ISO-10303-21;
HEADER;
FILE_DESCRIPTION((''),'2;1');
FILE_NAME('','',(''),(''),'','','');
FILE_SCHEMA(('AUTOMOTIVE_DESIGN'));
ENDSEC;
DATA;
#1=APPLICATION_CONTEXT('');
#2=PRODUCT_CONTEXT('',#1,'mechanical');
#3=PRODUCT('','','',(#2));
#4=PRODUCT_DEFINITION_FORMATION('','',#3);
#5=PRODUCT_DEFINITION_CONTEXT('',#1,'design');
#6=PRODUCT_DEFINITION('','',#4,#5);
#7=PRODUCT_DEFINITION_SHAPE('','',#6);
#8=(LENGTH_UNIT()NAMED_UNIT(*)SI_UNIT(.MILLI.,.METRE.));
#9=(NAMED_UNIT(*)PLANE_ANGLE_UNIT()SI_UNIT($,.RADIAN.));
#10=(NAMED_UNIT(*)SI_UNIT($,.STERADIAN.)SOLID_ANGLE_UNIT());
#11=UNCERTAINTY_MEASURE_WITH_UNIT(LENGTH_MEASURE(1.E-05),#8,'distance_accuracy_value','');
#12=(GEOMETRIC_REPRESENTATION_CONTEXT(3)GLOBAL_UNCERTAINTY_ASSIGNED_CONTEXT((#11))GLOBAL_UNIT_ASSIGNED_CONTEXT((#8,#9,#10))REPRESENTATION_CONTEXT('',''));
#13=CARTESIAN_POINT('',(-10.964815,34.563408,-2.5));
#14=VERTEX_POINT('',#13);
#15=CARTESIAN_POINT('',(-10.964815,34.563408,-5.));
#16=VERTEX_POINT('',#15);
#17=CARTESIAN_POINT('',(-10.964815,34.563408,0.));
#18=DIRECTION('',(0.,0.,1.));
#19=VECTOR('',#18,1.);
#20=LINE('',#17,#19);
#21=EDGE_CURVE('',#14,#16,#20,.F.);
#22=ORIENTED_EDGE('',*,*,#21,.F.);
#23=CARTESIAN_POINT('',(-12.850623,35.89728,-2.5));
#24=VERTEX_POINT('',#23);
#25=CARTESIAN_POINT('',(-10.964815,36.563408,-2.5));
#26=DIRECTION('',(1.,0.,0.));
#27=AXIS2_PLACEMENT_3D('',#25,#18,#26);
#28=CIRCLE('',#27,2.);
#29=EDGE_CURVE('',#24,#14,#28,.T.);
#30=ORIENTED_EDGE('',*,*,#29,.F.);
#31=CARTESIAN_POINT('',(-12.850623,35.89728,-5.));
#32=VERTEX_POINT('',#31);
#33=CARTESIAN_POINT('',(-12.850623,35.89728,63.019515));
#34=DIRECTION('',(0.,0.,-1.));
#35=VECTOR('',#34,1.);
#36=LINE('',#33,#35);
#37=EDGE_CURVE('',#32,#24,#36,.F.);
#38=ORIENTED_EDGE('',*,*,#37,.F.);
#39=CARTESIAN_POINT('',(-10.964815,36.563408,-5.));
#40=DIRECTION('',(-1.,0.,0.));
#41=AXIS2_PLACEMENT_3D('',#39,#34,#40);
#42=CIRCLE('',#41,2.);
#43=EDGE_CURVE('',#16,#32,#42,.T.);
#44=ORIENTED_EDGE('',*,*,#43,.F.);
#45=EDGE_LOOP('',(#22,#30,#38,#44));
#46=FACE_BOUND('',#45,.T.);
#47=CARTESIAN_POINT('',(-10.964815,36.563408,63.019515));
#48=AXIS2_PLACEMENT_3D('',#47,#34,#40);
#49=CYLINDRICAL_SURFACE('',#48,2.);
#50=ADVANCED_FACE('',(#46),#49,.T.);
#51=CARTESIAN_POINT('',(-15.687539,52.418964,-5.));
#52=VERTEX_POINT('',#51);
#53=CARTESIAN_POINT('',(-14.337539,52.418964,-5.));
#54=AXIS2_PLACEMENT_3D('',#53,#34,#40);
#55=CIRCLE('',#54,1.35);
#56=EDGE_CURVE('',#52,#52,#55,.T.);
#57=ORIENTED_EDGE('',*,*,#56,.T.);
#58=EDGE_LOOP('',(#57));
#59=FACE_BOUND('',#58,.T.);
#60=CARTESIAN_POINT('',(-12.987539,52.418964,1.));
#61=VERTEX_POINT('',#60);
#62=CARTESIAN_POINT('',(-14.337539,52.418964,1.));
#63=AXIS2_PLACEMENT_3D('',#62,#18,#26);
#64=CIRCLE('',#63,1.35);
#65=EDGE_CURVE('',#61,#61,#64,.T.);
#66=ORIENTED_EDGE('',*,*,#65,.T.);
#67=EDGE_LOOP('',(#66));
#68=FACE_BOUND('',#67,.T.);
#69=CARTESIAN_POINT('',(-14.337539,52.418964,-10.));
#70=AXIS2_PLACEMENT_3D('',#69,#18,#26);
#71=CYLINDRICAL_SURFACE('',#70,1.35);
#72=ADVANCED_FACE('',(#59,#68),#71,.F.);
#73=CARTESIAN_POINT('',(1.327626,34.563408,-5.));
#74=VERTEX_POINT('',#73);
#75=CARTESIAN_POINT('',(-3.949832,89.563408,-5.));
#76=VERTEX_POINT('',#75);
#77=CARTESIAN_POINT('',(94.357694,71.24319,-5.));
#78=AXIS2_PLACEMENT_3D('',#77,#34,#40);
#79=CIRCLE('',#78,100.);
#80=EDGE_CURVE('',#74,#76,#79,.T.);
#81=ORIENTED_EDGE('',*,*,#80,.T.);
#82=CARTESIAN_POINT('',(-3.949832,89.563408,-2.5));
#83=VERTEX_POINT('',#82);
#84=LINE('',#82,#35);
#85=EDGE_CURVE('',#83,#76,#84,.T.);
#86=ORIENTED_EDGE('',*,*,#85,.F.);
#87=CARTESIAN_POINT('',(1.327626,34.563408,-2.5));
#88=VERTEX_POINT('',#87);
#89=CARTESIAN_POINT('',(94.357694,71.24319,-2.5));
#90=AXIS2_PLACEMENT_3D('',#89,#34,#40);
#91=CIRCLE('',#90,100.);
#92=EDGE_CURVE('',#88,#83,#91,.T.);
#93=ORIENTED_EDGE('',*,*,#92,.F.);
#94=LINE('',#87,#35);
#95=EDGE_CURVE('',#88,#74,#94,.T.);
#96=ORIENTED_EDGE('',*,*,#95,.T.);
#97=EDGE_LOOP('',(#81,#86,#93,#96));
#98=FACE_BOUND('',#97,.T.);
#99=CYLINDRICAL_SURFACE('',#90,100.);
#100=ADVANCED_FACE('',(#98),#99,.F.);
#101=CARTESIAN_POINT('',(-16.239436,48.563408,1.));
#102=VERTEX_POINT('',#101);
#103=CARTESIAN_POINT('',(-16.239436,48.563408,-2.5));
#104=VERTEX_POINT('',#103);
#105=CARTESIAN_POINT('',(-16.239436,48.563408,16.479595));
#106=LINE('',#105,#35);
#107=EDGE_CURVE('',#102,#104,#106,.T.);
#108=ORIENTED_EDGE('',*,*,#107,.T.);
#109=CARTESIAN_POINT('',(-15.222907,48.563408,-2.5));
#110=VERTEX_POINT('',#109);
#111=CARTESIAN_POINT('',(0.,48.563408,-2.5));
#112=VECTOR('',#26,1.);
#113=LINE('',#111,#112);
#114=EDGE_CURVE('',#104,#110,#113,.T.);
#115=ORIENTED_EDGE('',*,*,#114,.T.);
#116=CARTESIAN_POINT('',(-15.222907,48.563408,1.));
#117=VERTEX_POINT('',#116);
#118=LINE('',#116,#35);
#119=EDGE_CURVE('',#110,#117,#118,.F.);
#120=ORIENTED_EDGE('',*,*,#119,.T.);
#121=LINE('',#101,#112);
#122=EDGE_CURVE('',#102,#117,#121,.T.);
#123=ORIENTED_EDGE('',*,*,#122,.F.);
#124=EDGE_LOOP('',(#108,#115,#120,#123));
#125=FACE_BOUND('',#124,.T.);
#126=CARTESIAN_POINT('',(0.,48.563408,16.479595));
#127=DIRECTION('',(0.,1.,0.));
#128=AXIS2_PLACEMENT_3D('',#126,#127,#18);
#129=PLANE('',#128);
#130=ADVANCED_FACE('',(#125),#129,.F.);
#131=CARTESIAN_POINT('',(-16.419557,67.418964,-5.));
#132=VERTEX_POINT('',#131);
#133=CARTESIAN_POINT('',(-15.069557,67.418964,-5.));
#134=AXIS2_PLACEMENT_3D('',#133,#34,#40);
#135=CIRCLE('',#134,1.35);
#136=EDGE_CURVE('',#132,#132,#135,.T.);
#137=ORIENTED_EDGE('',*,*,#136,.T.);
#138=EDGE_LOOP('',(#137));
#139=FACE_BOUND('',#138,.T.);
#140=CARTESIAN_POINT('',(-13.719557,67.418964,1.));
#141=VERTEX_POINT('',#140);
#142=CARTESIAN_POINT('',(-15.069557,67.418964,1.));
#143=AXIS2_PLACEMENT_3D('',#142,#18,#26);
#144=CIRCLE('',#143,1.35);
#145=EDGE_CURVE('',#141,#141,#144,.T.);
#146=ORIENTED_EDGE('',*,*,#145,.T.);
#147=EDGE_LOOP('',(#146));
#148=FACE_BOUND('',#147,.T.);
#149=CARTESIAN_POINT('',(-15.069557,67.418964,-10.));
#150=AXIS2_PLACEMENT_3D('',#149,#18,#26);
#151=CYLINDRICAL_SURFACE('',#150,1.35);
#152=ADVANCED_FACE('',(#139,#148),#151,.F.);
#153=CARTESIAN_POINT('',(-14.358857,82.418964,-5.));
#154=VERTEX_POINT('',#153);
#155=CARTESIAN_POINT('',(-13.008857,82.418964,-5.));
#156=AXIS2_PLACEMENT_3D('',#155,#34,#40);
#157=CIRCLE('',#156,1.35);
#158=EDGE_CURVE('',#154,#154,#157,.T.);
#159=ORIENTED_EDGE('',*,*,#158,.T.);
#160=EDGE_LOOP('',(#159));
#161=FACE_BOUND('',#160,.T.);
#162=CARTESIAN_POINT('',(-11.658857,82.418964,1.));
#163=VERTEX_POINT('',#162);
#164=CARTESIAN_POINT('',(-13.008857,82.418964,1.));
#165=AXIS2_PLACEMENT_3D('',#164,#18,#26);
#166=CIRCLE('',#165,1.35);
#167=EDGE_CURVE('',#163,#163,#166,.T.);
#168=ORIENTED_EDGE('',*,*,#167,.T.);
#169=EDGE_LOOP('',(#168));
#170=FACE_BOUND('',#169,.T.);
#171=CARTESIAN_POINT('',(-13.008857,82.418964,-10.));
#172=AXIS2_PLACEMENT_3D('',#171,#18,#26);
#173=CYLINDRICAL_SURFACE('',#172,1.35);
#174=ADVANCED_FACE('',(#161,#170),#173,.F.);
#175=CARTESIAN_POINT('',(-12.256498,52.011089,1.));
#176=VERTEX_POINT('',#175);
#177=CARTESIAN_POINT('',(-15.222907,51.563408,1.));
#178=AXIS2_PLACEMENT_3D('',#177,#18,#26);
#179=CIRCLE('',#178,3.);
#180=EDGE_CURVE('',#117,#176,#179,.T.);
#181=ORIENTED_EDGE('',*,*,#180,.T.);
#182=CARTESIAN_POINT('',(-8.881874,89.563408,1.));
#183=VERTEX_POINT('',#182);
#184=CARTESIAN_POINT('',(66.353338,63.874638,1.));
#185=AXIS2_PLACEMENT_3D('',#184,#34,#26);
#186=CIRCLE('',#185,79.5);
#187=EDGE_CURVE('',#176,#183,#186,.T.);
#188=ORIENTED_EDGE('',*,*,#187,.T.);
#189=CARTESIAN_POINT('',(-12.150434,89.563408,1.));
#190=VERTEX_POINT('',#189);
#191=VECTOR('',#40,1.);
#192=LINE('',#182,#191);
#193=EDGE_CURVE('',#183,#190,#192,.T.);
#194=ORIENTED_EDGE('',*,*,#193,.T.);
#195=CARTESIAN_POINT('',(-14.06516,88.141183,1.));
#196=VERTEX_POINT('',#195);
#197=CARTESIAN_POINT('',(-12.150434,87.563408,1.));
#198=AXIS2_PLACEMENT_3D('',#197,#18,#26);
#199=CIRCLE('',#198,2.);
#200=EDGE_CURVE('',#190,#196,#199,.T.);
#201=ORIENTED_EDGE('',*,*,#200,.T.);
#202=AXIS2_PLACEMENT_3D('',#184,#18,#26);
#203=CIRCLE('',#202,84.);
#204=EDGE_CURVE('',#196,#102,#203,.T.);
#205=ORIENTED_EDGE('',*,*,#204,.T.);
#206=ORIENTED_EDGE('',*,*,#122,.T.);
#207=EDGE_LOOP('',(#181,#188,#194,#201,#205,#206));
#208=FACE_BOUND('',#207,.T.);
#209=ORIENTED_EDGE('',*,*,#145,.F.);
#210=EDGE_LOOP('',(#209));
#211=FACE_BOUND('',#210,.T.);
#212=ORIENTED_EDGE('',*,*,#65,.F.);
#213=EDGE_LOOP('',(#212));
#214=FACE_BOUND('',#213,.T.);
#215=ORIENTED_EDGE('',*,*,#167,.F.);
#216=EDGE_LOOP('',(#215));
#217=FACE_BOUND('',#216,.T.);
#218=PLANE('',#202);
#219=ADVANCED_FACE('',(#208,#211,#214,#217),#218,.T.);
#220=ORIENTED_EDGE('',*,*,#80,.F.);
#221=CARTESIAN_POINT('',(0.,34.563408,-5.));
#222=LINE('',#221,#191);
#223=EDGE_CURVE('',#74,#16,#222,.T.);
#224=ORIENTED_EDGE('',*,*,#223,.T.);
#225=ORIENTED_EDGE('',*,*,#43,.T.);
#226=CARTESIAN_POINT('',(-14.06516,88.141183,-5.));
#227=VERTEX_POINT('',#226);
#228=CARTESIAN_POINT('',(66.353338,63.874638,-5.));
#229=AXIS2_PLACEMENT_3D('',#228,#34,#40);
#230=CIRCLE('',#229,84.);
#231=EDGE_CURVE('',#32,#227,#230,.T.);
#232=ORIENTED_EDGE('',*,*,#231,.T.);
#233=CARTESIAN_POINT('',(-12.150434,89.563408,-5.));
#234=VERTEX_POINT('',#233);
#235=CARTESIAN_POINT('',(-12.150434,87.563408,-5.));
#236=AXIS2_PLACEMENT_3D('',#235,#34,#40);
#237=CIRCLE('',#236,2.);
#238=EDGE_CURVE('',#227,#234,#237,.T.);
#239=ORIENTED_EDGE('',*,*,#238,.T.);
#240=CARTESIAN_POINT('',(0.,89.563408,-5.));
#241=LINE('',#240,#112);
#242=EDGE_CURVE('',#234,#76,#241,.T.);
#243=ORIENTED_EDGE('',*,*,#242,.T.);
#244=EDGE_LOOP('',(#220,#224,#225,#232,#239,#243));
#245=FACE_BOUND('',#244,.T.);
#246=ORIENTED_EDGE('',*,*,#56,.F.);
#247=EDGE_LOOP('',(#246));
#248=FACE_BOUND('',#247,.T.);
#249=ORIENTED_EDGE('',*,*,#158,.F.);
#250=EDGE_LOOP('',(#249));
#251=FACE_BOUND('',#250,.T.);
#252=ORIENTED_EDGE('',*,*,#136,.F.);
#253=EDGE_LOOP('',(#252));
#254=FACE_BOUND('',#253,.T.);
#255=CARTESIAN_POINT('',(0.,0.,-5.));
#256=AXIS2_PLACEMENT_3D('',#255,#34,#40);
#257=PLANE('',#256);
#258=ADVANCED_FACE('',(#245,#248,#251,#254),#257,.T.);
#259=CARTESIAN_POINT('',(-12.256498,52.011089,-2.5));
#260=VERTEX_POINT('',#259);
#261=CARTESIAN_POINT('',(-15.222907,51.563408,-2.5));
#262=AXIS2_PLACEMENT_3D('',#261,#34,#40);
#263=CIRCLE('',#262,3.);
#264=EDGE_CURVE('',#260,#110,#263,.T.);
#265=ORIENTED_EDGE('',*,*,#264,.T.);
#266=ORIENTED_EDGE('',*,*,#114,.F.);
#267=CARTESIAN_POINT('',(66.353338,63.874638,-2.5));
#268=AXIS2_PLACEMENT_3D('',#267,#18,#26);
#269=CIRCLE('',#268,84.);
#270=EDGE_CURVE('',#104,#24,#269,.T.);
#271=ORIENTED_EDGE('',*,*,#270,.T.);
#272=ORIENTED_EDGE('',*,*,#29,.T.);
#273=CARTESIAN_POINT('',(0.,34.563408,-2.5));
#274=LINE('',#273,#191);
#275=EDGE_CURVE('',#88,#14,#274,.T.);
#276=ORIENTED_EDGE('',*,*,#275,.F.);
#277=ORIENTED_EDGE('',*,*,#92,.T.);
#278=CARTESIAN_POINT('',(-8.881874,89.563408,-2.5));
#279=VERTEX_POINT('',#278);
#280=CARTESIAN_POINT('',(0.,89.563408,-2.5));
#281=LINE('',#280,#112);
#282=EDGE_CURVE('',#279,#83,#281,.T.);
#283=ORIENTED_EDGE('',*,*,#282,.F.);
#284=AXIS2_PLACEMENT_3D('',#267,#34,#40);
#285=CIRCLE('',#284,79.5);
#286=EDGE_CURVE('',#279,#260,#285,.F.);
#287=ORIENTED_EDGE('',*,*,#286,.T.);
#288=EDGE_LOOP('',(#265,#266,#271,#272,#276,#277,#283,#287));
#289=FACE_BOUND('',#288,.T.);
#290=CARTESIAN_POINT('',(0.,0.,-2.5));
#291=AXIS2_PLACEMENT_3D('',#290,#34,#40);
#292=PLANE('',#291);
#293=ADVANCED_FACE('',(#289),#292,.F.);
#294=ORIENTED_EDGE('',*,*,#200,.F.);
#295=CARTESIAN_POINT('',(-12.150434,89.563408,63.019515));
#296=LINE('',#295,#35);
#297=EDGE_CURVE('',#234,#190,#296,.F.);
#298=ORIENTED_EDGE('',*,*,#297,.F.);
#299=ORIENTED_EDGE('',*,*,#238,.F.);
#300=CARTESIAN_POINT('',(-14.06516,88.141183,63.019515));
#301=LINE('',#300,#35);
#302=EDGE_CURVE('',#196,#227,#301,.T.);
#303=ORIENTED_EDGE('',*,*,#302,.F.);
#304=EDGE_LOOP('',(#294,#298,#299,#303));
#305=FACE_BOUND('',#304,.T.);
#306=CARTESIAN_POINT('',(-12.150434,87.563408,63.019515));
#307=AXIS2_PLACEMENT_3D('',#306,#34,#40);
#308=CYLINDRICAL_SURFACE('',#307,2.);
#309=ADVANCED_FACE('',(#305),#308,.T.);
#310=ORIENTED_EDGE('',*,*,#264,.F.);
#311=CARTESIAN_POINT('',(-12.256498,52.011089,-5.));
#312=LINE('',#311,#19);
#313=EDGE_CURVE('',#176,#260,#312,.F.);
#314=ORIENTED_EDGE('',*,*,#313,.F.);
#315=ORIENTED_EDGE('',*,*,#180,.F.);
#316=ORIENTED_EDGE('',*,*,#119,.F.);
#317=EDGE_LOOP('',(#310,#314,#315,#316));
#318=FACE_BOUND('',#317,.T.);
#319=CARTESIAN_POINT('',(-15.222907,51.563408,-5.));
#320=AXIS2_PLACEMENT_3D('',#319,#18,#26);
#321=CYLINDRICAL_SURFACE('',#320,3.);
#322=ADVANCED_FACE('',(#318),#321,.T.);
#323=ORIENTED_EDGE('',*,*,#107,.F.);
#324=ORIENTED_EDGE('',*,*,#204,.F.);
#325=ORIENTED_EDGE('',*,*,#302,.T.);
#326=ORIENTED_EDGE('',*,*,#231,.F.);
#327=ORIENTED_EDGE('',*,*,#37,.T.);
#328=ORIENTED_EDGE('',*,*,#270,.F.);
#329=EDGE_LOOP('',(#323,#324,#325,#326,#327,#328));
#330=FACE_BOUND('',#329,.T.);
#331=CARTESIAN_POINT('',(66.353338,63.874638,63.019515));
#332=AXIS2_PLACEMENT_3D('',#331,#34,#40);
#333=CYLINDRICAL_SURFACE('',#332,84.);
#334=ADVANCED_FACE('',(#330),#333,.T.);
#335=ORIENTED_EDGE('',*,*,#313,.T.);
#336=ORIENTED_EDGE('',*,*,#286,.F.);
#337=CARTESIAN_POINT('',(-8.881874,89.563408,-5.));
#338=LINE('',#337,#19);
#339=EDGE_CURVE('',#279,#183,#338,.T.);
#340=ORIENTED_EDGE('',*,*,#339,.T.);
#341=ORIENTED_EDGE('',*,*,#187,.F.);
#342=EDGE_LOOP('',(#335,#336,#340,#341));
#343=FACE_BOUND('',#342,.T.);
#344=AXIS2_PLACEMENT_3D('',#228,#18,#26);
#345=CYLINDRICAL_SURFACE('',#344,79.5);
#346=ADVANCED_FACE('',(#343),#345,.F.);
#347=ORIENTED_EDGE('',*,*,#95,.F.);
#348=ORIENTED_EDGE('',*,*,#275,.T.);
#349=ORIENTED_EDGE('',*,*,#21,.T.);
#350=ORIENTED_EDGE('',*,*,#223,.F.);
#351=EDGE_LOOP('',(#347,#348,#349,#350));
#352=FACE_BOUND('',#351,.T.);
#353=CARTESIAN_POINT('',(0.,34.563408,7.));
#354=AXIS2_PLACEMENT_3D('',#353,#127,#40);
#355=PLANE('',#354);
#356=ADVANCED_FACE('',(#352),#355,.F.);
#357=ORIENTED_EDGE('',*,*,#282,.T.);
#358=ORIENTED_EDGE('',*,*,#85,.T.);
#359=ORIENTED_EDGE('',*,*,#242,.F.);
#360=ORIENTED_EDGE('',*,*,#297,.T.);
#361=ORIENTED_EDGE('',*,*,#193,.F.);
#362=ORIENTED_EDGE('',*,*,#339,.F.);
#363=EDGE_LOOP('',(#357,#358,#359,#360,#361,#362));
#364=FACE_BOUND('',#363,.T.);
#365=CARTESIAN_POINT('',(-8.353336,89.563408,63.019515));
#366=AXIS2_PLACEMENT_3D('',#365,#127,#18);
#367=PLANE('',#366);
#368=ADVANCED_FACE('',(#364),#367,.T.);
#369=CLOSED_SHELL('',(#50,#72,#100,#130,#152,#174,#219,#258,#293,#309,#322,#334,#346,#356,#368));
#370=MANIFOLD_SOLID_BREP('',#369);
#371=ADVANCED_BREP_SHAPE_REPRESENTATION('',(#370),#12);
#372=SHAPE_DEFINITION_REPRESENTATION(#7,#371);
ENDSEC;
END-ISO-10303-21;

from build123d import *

# Parameters (mm, degrees)
SKETCH_1_R           = 3.5
EXTRUDE_1_DEPTH      = 3
SKETCH_2_R           = 1.5
CUT_EXTRUDE_1_DEPTH  = 10
EXTRUDE_2_DEPTH      = 4
EXTRUDE_5_DEPTH      = 7
FILLET_1_R           = 2
HOLE_WIZARD_M2_5_1_D = 2.05
SKETCH_12_R          = 1.025
EXTRUDE_6_DEPTH      = 5
EXTRUDE_7_DEPTH      = 2.5
CUT_EXTRUDE_START    = 2.5
SKETCH_14_W          = 65.294749478
SKETCH_14_H          = 102.548808998
CUT_EXTRUDE_2_DEPTH  = 93.634928881
CUT_EXTRUDE_3_DEPTH  = 2.5
SKETCH_16_R          = 1.35
CUT_EXTRUDE_4_DEPTH  = 10
EXTRUDE_START        = 1
SKETCH_17_R          = 1.35
EXTRUDE_8_DEPTH      = 1
FILLET_2_R           = 3


with BuildPart() as part:
    # 草图1 → 凸台-拉伸1 (new body)
    with BuildSketch(Plane.XY):
        with BuildLine():
            Line((0, 0), (17, 0))
            Line((17, 0), (17, 21))
            ThreePointArc((17, 21), (14.559389791, 26.961023013), (8.639106973, 29.498861644))
            ThreePointArc((8.639106973, 29.498861644), (4.214678609, 30.921411086), (1.327625741, 34.563407653))
            ThreePointArc((1.327625741, 34.563407653), (-5.234705957, 62.223549547), (-3.748501306, 90.612611571))
            ThreePointArc((-3.748501306, 90.612611571), (-5.162788524, 92.923505905), (-7.58241645, 91.704554856))
            ThreePointArc((-7.58241645, 91.704554856), (-12.196269834, 55.45091149), (0, 21))
            Line((0, 21), (0, 0))
        make_face()
        with Locations((8.5, 21)):
            Circle(SKETCH_1_R, mode=Mode.SUBTRACT)
    extrude(amount=EXTRUDE_1_DEPTH)

    # 草图2 → 切除-拉伸1 (cut)
    with BuildSketch(Plane(origin=(0, 0, 0), x_dir=(-1, 0, 0), z_dir=(0, 0, -1))):
        with Locations((-14, 4)):
            Circle(SKETCH_2_R)
        with Locations(Location((-3, 4, 0), (0, 0, 180))):
            Circle(SKETCH_2_R)
    extrude(amount=-CUT_EXTRUDE_1_DEPTH, mode=Mode.SUBTRACT)

    # 草图3 → 凸台-拉伸2 (add)
    with BuildSketch(Plane.XY.offset(3)):
        with BuildLine():
            ThreePointArc((-7.58241645, 91.704554856), (-12.6426678, 63.080202535), (-7.007767698, 34.563407653))
            Line((-7.007767698, 34.563407653), (1.327625741, 34.563407653))
            ThreePointArc((1.327625741, 34.563407653), (-5.234705957, 62.223549547), (-3.748501306, 90.612611571))
            ThreePointArc((-3.748501306, 90.612611571), (-5.162788524, 92.923505905), (-7.58241645, 91.704554856))
        make_face()
    extrude(amount=EXTRUDE_2_DEPTH)

    # 草图8 → 凸台-拉伸5 (add)
    with BuildSketch(Plane(origin=(0, 0, 0), x_dir=(-1, 0, 0), z_dir=(0, 0, -1))):
        with BuildLine():
            Line((8.353336216, 89.563407653), (13.622203114, 89.563407653))
            ThreePointArc((13.622203114, 89.563407653), (17.624786926, 61.957713987), (12.366747323, 34.563407653))
            Line((12.366747323, 34.563407653), (7.007767698, 34.563407653))
            ThreePointArc((7.007767698, 34.563407653), (12.623031035, 61.942490485), (8.353336216, 89.563407653))
        make_face()
    extrude(amount=-EXTRUDE_5_DEPTH)

    # 圆角1
    fillet_1_edges = [part.edges().sort_by_distance(p)[0] for p in [
        (-12.366747323, 34.563407653, 3.5),
        (-13.622203114, 89.563407653, 3.5),
        (-8.353336216, 89.563407653, 3.5),
        (-7.007767698, 34.563407653, 1.5),
    ]]
    fillet(fillet_1_edges, radius=FILLET_1_R)

    # M2.5 螺纹孔1 (through all)
    with Locations(Plane(origin=(0, 0, 0), x_dir=(-1, 0, 0), z_dir=(0, 0, -1))):
        with Locations((14.33753876, 52.418963936), (-20.3596947, 65.689324708), (13.008857265, 82.418963936), (15.069556912, 67.418963936)):
            Hole(HOLE_WIZARD_M2_5_1_D / 2)

    # 草图12 → 凸台-拉伸6 (add)
    with BuildSketch(Plane(origin=(0, 0, 0), x_dir=(-1, 0, 0), z_dir=(0, 0, -1))):
        with BuildLine():
            Line((7.545930127, 34.563407653), (8.350121818, 34.563407653))
            Line((8.350121818, 34.563407653), (10.964814809, 34.563407653))
            ThreePointArc((10.964814809, 34.563407653), (12.119748759, 34.930579564), (12.850623405, 35.897280083))
            ThreePointArc((12.850623405, 35.897280083), (17.623972952, 61.922380585), (14.065160369, 88.141182522))
            ThreePointArc((14.065160369, 88.141182522), (13.343005034, 89.168952691), (12.150434226, 89.563407653))
            Line((12.150434226, 89.563407653), (9.767172344, 89.563407653))
            Line((9.767172344, 89.563407653), (8.88187432, 89.563407653))
            ThreePointArc((8.88187432, 89.563407653), (13.123220294, 61.944160836), (7.545930127, 34.563407653))
        make_face()
        with Locations((14.33753876, 52.418963936)):
            Circle(SKETCH_12_R, mode=Mode.SUBTRACT)
        with Locations((15.069556912, 67.418963936)):
            Circle(SKETCH_12_R, mode=Mode.SUBTRACT)
        with Locations((13.008857265, 82.418963936)):
            Circle(SKETCH_12_R, mode=Mode.SUBTRACT)
    extrude(amount=EXTRUDE_6_DEPTH)

    # 草图13 → 凸台-拉伸7 (add)
    with BuildSketch(Plane(origin=(0, 0, -5), x_dir=(-1, 0, 0), z_dir=(0, 0, -1))):
        with BuildLine():
            Line((-1.327625741, 34.563407653), (7.545930127, 34.563407653))
            ThreePointArc((7.545930127, 34.563407653), (13.123220294, 61.944160836), (8.88187432, 89.563407653))
            Line((8.88187432, 89.563407653), (3.949832031, 89.563407653))
            ThreePointArc((3.949832031, 89.563407653), (5.185104579, 61.691682581), (-1.327625741, 34.563407653))
        make_face()
    extrude(amount=-EXTRUDE_7_DEPTH)

    # 草图14 → 切除-拉伸2 (cut, through all)
    with BuildSketch(Plane.XY.offset(-2.5).offset(CUT_EXTRUDE_START)):
        with Locations((4.683934874, 45.498546787)):
            Rectangle(SKETCH_14_W, SKETCH_14_H)
    extrude(amount=CUT_EXTRUDE_2_DEPTH, mode=Mode.SUBTRACT)

    # 草图15 → 切除-拉伸3 (cut)
    with BuildSketch(Plane.XY.offset(-2.5).offset(CUT_EXTRUDE_START)):
        with BuildLine():
            Line((-11.658303974, 48.563407653), (-16.239435818, 48.563407653))
            ThreePointArc((-16.239435818, 48.563407653), (-14.792540388, 42.164122556), (-12.850623405, 35.897280083))
            ThreePointArc((-12.850623405, 35.897280083), (-12.119748759, 34.930579564), (-10.964814809, 34.563407653))
            Line((-10.964814809, 34.563407653), (-7.545930127, 34.563407653))
            ThreePointArc((-7.545930127, 34.563407653), (-9.923992526, 41.468859633), (-11.658303974, 48.563407653))
        make_face()
    extrude(amount=-CUT_EXTRUDE_3_DEPTH, mode=Mode.SUBTRACT)

    # 草图16 → 切除-拉伸4 (cut)
    with BuildSketch(Plane.XY):
        with Locations((-13.008857265, 82.418963936)):
            Circle(SKETCH_16_R)
        with Locations((-15.069556912, 67.418963936)):
            Circle(SKETCH_16_R)
        with Locations((-14.33753876, 52.418963936)):
            Circle(SKETCH_16_R)
    extrude(amount=-CUT_EXTRUDE_4_DEPTH, mode=Mode.SUBTRACT)

    # 草图17 → 凸台-拉伸8 (add)
    with BuildSketch(Plane.XY.offset(EXTRUDE_START)):
        with BuildLine():
            Line((-16.239435818, 48.563407653), (-11.658303974, 48.563407653))
            ThreePointArc((-11.658303974, 48.563407653), (-12.965005338, 69.245901439), (-8.88187432, 89.563407653))
            Line((-8.88187432, 89.563407653), (-12.150434226, 89.563407653))
            ThreePointArc((-12.150434226, 89.563407653), (-13.343005034, 89.168952691), (-14.065160369, 88.141182522))
            ThreePointArc((-14.065160369, 88.141182522), (-17.520190498, 68.482379468), (-16.239435818, 48.563407653))
        make_face()
        with Locations((-14.33753876, 52.418963936)):
            Circle(SKETCH_17_R, mode=Mode.SUBTRACT)
        with Locations((-15.069556912, 67.418963936)):
            Circle(SKETCH_17_R, mode=Mode.SUBTRACT)
        with Locations((-13.008857265, 82.418963936)):
            Circle(SKETCH_17_R, mode=Mode.SUBTRACT)
    extrude(amount=-EXTRUDE_8_DEPTH)

    # 圆角2
    fillet_2_edges = [part.edges().sort_by_distance(p)[0] for p in [
        (-11.658303974, 48.563407653, -0.75),
    ]]
    fillet(fillet_2_edges, radius=FILLET_2_R)


solid = part.part
